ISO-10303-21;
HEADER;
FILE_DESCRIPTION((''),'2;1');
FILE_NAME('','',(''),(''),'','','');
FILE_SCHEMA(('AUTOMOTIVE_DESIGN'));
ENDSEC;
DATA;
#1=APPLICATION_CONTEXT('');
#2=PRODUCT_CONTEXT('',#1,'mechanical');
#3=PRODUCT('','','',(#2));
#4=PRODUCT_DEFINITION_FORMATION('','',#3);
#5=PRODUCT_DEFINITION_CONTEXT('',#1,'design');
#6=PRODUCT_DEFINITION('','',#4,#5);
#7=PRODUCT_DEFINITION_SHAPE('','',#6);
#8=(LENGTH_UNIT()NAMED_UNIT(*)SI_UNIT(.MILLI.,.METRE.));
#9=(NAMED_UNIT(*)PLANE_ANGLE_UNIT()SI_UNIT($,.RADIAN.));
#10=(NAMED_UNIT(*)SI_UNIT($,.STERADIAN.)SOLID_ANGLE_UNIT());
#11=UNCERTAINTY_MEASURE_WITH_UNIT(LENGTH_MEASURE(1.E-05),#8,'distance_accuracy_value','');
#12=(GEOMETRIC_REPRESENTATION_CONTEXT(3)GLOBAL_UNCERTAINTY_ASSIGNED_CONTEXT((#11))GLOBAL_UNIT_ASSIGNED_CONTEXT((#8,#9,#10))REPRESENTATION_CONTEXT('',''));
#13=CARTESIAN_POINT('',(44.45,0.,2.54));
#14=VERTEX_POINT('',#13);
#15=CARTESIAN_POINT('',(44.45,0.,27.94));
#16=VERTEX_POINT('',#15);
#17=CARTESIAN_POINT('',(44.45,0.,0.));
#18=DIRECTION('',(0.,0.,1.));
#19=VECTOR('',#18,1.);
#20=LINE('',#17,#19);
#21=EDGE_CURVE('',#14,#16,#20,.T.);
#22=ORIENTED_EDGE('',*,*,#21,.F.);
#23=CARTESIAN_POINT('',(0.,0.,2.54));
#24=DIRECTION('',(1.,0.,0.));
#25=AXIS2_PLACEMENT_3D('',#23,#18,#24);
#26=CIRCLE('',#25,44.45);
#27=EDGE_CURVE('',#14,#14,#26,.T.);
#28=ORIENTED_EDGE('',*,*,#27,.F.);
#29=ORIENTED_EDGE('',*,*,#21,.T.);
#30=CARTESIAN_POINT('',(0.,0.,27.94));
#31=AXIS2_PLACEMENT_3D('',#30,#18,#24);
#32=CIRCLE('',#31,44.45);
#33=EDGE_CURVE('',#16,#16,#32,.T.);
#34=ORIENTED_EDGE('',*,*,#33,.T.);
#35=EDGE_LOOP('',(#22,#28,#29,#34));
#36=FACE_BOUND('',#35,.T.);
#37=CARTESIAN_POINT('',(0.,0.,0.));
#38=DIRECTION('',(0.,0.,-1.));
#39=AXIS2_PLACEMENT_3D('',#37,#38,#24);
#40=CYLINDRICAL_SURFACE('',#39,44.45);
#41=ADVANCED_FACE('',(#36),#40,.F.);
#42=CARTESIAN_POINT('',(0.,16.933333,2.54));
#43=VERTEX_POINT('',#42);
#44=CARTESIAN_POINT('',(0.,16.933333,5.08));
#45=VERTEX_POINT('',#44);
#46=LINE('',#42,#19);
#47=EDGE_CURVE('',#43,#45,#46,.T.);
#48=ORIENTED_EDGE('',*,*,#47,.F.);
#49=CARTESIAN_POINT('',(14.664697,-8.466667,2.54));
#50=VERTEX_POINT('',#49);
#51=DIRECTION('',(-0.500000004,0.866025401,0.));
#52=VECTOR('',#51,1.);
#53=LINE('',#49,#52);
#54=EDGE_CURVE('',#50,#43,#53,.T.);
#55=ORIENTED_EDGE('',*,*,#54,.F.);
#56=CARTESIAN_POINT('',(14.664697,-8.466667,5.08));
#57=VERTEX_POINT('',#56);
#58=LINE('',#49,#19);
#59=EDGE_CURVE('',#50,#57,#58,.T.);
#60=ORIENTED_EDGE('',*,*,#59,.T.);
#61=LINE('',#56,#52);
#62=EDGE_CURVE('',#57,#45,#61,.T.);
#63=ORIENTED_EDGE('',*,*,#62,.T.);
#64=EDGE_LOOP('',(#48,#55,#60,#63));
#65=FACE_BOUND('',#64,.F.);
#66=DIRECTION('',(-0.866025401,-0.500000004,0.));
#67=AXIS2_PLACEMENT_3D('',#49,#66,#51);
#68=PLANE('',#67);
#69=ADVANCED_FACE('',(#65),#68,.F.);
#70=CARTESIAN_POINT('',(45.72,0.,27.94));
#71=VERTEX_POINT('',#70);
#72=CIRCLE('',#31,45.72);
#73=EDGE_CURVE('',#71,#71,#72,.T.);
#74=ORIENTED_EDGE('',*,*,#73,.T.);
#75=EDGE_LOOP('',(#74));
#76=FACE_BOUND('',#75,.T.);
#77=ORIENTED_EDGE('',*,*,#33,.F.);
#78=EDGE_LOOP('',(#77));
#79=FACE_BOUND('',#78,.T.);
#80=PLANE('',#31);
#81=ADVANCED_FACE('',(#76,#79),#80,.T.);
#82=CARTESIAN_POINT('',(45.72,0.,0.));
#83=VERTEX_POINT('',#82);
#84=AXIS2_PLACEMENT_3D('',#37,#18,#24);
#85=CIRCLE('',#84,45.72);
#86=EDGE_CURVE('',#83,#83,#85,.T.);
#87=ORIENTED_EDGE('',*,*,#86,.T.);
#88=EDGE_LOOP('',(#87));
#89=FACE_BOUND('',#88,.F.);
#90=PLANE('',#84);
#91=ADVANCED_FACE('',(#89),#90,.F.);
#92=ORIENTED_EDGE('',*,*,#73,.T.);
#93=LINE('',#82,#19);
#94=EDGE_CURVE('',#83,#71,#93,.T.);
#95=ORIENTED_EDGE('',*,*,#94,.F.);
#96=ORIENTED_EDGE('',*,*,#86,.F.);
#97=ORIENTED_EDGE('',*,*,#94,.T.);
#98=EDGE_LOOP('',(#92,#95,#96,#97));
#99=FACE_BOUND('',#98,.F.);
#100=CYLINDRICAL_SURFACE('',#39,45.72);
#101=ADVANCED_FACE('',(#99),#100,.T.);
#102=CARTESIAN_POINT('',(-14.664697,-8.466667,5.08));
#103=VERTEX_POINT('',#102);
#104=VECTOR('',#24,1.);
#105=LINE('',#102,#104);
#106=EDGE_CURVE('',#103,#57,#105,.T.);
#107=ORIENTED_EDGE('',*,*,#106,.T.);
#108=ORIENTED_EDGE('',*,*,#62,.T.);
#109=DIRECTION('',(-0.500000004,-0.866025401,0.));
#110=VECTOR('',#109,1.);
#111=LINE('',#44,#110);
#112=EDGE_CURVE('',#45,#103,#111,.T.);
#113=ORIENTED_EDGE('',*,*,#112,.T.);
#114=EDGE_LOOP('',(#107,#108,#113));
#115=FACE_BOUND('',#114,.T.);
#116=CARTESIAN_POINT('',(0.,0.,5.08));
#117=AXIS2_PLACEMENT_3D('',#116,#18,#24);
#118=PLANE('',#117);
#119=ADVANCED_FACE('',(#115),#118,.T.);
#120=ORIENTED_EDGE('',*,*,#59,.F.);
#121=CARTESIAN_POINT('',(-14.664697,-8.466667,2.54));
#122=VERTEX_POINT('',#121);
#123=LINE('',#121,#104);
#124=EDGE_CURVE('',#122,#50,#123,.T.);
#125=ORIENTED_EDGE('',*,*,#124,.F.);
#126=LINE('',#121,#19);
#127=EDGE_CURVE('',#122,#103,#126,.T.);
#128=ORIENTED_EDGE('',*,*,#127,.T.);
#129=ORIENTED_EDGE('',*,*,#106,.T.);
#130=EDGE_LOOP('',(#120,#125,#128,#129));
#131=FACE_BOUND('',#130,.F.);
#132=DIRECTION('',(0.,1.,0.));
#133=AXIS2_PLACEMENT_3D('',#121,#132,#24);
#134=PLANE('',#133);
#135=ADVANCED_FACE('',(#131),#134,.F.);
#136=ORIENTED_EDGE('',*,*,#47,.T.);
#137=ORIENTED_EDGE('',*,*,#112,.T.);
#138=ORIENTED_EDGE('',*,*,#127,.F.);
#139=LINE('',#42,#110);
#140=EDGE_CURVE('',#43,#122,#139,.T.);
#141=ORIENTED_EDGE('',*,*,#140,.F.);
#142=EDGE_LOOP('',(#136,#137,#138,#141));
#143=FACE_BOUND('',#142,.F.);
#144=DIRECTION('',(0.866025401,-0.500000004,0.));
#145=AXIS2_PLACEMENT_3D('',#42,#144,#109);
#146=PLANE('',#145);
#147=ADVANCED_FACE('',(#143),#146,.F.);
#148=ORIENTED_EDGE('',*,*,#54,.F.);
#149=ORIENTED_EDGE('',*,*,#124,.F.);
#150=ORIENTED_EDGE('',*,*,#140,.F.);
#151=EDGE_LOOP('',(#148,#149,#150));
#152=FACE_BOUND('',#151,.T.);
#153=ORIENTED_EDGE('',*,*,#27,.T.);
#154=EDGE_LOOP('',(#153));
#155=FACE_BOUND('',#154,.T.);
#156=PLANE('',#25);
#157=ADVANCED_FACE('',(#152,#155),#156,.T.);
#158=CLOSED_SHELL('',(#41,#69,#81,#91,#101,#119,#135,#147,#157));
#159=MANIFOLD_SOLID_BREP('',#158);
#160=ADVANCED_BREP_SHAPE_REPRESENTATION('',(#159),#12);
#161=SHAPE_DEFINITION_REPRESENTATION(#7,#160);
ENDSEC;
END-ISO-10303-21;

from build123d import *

# Parameters (mm, degrees)
F0_R     = 45.72
F0_R_2   = 44.45
F1_DEPTH = 27.94
F2_DEPTH = 2.54
F4_DEPTH = 2.54


with BuildPart() as f1:
    # F0 (on Top) → F1 (new body)
    with BuildSketch(Plane.XY):
        Circle(F0_R)
        Circle(F0_R_2, mode=Mode.SUBTRACT)
    extrude(amount=F1_DEPTH)

    # F0 (on Top) → F2 (join)
    with BuildSketch(Plane.XY):
        Circle(F0_R_2)
    extrude(amount=F2_DEPTH)

    # F3 (on face) → F4 (join)
    with BuildSketch(Plane.XY.offset(2.54)):
        Polygon((-14.664697, -8.466667), (14.664697, -8.466667), (0, 16.933333), align=None)
    extrude(amount=F4_DEPTH)


solid = f1.part
